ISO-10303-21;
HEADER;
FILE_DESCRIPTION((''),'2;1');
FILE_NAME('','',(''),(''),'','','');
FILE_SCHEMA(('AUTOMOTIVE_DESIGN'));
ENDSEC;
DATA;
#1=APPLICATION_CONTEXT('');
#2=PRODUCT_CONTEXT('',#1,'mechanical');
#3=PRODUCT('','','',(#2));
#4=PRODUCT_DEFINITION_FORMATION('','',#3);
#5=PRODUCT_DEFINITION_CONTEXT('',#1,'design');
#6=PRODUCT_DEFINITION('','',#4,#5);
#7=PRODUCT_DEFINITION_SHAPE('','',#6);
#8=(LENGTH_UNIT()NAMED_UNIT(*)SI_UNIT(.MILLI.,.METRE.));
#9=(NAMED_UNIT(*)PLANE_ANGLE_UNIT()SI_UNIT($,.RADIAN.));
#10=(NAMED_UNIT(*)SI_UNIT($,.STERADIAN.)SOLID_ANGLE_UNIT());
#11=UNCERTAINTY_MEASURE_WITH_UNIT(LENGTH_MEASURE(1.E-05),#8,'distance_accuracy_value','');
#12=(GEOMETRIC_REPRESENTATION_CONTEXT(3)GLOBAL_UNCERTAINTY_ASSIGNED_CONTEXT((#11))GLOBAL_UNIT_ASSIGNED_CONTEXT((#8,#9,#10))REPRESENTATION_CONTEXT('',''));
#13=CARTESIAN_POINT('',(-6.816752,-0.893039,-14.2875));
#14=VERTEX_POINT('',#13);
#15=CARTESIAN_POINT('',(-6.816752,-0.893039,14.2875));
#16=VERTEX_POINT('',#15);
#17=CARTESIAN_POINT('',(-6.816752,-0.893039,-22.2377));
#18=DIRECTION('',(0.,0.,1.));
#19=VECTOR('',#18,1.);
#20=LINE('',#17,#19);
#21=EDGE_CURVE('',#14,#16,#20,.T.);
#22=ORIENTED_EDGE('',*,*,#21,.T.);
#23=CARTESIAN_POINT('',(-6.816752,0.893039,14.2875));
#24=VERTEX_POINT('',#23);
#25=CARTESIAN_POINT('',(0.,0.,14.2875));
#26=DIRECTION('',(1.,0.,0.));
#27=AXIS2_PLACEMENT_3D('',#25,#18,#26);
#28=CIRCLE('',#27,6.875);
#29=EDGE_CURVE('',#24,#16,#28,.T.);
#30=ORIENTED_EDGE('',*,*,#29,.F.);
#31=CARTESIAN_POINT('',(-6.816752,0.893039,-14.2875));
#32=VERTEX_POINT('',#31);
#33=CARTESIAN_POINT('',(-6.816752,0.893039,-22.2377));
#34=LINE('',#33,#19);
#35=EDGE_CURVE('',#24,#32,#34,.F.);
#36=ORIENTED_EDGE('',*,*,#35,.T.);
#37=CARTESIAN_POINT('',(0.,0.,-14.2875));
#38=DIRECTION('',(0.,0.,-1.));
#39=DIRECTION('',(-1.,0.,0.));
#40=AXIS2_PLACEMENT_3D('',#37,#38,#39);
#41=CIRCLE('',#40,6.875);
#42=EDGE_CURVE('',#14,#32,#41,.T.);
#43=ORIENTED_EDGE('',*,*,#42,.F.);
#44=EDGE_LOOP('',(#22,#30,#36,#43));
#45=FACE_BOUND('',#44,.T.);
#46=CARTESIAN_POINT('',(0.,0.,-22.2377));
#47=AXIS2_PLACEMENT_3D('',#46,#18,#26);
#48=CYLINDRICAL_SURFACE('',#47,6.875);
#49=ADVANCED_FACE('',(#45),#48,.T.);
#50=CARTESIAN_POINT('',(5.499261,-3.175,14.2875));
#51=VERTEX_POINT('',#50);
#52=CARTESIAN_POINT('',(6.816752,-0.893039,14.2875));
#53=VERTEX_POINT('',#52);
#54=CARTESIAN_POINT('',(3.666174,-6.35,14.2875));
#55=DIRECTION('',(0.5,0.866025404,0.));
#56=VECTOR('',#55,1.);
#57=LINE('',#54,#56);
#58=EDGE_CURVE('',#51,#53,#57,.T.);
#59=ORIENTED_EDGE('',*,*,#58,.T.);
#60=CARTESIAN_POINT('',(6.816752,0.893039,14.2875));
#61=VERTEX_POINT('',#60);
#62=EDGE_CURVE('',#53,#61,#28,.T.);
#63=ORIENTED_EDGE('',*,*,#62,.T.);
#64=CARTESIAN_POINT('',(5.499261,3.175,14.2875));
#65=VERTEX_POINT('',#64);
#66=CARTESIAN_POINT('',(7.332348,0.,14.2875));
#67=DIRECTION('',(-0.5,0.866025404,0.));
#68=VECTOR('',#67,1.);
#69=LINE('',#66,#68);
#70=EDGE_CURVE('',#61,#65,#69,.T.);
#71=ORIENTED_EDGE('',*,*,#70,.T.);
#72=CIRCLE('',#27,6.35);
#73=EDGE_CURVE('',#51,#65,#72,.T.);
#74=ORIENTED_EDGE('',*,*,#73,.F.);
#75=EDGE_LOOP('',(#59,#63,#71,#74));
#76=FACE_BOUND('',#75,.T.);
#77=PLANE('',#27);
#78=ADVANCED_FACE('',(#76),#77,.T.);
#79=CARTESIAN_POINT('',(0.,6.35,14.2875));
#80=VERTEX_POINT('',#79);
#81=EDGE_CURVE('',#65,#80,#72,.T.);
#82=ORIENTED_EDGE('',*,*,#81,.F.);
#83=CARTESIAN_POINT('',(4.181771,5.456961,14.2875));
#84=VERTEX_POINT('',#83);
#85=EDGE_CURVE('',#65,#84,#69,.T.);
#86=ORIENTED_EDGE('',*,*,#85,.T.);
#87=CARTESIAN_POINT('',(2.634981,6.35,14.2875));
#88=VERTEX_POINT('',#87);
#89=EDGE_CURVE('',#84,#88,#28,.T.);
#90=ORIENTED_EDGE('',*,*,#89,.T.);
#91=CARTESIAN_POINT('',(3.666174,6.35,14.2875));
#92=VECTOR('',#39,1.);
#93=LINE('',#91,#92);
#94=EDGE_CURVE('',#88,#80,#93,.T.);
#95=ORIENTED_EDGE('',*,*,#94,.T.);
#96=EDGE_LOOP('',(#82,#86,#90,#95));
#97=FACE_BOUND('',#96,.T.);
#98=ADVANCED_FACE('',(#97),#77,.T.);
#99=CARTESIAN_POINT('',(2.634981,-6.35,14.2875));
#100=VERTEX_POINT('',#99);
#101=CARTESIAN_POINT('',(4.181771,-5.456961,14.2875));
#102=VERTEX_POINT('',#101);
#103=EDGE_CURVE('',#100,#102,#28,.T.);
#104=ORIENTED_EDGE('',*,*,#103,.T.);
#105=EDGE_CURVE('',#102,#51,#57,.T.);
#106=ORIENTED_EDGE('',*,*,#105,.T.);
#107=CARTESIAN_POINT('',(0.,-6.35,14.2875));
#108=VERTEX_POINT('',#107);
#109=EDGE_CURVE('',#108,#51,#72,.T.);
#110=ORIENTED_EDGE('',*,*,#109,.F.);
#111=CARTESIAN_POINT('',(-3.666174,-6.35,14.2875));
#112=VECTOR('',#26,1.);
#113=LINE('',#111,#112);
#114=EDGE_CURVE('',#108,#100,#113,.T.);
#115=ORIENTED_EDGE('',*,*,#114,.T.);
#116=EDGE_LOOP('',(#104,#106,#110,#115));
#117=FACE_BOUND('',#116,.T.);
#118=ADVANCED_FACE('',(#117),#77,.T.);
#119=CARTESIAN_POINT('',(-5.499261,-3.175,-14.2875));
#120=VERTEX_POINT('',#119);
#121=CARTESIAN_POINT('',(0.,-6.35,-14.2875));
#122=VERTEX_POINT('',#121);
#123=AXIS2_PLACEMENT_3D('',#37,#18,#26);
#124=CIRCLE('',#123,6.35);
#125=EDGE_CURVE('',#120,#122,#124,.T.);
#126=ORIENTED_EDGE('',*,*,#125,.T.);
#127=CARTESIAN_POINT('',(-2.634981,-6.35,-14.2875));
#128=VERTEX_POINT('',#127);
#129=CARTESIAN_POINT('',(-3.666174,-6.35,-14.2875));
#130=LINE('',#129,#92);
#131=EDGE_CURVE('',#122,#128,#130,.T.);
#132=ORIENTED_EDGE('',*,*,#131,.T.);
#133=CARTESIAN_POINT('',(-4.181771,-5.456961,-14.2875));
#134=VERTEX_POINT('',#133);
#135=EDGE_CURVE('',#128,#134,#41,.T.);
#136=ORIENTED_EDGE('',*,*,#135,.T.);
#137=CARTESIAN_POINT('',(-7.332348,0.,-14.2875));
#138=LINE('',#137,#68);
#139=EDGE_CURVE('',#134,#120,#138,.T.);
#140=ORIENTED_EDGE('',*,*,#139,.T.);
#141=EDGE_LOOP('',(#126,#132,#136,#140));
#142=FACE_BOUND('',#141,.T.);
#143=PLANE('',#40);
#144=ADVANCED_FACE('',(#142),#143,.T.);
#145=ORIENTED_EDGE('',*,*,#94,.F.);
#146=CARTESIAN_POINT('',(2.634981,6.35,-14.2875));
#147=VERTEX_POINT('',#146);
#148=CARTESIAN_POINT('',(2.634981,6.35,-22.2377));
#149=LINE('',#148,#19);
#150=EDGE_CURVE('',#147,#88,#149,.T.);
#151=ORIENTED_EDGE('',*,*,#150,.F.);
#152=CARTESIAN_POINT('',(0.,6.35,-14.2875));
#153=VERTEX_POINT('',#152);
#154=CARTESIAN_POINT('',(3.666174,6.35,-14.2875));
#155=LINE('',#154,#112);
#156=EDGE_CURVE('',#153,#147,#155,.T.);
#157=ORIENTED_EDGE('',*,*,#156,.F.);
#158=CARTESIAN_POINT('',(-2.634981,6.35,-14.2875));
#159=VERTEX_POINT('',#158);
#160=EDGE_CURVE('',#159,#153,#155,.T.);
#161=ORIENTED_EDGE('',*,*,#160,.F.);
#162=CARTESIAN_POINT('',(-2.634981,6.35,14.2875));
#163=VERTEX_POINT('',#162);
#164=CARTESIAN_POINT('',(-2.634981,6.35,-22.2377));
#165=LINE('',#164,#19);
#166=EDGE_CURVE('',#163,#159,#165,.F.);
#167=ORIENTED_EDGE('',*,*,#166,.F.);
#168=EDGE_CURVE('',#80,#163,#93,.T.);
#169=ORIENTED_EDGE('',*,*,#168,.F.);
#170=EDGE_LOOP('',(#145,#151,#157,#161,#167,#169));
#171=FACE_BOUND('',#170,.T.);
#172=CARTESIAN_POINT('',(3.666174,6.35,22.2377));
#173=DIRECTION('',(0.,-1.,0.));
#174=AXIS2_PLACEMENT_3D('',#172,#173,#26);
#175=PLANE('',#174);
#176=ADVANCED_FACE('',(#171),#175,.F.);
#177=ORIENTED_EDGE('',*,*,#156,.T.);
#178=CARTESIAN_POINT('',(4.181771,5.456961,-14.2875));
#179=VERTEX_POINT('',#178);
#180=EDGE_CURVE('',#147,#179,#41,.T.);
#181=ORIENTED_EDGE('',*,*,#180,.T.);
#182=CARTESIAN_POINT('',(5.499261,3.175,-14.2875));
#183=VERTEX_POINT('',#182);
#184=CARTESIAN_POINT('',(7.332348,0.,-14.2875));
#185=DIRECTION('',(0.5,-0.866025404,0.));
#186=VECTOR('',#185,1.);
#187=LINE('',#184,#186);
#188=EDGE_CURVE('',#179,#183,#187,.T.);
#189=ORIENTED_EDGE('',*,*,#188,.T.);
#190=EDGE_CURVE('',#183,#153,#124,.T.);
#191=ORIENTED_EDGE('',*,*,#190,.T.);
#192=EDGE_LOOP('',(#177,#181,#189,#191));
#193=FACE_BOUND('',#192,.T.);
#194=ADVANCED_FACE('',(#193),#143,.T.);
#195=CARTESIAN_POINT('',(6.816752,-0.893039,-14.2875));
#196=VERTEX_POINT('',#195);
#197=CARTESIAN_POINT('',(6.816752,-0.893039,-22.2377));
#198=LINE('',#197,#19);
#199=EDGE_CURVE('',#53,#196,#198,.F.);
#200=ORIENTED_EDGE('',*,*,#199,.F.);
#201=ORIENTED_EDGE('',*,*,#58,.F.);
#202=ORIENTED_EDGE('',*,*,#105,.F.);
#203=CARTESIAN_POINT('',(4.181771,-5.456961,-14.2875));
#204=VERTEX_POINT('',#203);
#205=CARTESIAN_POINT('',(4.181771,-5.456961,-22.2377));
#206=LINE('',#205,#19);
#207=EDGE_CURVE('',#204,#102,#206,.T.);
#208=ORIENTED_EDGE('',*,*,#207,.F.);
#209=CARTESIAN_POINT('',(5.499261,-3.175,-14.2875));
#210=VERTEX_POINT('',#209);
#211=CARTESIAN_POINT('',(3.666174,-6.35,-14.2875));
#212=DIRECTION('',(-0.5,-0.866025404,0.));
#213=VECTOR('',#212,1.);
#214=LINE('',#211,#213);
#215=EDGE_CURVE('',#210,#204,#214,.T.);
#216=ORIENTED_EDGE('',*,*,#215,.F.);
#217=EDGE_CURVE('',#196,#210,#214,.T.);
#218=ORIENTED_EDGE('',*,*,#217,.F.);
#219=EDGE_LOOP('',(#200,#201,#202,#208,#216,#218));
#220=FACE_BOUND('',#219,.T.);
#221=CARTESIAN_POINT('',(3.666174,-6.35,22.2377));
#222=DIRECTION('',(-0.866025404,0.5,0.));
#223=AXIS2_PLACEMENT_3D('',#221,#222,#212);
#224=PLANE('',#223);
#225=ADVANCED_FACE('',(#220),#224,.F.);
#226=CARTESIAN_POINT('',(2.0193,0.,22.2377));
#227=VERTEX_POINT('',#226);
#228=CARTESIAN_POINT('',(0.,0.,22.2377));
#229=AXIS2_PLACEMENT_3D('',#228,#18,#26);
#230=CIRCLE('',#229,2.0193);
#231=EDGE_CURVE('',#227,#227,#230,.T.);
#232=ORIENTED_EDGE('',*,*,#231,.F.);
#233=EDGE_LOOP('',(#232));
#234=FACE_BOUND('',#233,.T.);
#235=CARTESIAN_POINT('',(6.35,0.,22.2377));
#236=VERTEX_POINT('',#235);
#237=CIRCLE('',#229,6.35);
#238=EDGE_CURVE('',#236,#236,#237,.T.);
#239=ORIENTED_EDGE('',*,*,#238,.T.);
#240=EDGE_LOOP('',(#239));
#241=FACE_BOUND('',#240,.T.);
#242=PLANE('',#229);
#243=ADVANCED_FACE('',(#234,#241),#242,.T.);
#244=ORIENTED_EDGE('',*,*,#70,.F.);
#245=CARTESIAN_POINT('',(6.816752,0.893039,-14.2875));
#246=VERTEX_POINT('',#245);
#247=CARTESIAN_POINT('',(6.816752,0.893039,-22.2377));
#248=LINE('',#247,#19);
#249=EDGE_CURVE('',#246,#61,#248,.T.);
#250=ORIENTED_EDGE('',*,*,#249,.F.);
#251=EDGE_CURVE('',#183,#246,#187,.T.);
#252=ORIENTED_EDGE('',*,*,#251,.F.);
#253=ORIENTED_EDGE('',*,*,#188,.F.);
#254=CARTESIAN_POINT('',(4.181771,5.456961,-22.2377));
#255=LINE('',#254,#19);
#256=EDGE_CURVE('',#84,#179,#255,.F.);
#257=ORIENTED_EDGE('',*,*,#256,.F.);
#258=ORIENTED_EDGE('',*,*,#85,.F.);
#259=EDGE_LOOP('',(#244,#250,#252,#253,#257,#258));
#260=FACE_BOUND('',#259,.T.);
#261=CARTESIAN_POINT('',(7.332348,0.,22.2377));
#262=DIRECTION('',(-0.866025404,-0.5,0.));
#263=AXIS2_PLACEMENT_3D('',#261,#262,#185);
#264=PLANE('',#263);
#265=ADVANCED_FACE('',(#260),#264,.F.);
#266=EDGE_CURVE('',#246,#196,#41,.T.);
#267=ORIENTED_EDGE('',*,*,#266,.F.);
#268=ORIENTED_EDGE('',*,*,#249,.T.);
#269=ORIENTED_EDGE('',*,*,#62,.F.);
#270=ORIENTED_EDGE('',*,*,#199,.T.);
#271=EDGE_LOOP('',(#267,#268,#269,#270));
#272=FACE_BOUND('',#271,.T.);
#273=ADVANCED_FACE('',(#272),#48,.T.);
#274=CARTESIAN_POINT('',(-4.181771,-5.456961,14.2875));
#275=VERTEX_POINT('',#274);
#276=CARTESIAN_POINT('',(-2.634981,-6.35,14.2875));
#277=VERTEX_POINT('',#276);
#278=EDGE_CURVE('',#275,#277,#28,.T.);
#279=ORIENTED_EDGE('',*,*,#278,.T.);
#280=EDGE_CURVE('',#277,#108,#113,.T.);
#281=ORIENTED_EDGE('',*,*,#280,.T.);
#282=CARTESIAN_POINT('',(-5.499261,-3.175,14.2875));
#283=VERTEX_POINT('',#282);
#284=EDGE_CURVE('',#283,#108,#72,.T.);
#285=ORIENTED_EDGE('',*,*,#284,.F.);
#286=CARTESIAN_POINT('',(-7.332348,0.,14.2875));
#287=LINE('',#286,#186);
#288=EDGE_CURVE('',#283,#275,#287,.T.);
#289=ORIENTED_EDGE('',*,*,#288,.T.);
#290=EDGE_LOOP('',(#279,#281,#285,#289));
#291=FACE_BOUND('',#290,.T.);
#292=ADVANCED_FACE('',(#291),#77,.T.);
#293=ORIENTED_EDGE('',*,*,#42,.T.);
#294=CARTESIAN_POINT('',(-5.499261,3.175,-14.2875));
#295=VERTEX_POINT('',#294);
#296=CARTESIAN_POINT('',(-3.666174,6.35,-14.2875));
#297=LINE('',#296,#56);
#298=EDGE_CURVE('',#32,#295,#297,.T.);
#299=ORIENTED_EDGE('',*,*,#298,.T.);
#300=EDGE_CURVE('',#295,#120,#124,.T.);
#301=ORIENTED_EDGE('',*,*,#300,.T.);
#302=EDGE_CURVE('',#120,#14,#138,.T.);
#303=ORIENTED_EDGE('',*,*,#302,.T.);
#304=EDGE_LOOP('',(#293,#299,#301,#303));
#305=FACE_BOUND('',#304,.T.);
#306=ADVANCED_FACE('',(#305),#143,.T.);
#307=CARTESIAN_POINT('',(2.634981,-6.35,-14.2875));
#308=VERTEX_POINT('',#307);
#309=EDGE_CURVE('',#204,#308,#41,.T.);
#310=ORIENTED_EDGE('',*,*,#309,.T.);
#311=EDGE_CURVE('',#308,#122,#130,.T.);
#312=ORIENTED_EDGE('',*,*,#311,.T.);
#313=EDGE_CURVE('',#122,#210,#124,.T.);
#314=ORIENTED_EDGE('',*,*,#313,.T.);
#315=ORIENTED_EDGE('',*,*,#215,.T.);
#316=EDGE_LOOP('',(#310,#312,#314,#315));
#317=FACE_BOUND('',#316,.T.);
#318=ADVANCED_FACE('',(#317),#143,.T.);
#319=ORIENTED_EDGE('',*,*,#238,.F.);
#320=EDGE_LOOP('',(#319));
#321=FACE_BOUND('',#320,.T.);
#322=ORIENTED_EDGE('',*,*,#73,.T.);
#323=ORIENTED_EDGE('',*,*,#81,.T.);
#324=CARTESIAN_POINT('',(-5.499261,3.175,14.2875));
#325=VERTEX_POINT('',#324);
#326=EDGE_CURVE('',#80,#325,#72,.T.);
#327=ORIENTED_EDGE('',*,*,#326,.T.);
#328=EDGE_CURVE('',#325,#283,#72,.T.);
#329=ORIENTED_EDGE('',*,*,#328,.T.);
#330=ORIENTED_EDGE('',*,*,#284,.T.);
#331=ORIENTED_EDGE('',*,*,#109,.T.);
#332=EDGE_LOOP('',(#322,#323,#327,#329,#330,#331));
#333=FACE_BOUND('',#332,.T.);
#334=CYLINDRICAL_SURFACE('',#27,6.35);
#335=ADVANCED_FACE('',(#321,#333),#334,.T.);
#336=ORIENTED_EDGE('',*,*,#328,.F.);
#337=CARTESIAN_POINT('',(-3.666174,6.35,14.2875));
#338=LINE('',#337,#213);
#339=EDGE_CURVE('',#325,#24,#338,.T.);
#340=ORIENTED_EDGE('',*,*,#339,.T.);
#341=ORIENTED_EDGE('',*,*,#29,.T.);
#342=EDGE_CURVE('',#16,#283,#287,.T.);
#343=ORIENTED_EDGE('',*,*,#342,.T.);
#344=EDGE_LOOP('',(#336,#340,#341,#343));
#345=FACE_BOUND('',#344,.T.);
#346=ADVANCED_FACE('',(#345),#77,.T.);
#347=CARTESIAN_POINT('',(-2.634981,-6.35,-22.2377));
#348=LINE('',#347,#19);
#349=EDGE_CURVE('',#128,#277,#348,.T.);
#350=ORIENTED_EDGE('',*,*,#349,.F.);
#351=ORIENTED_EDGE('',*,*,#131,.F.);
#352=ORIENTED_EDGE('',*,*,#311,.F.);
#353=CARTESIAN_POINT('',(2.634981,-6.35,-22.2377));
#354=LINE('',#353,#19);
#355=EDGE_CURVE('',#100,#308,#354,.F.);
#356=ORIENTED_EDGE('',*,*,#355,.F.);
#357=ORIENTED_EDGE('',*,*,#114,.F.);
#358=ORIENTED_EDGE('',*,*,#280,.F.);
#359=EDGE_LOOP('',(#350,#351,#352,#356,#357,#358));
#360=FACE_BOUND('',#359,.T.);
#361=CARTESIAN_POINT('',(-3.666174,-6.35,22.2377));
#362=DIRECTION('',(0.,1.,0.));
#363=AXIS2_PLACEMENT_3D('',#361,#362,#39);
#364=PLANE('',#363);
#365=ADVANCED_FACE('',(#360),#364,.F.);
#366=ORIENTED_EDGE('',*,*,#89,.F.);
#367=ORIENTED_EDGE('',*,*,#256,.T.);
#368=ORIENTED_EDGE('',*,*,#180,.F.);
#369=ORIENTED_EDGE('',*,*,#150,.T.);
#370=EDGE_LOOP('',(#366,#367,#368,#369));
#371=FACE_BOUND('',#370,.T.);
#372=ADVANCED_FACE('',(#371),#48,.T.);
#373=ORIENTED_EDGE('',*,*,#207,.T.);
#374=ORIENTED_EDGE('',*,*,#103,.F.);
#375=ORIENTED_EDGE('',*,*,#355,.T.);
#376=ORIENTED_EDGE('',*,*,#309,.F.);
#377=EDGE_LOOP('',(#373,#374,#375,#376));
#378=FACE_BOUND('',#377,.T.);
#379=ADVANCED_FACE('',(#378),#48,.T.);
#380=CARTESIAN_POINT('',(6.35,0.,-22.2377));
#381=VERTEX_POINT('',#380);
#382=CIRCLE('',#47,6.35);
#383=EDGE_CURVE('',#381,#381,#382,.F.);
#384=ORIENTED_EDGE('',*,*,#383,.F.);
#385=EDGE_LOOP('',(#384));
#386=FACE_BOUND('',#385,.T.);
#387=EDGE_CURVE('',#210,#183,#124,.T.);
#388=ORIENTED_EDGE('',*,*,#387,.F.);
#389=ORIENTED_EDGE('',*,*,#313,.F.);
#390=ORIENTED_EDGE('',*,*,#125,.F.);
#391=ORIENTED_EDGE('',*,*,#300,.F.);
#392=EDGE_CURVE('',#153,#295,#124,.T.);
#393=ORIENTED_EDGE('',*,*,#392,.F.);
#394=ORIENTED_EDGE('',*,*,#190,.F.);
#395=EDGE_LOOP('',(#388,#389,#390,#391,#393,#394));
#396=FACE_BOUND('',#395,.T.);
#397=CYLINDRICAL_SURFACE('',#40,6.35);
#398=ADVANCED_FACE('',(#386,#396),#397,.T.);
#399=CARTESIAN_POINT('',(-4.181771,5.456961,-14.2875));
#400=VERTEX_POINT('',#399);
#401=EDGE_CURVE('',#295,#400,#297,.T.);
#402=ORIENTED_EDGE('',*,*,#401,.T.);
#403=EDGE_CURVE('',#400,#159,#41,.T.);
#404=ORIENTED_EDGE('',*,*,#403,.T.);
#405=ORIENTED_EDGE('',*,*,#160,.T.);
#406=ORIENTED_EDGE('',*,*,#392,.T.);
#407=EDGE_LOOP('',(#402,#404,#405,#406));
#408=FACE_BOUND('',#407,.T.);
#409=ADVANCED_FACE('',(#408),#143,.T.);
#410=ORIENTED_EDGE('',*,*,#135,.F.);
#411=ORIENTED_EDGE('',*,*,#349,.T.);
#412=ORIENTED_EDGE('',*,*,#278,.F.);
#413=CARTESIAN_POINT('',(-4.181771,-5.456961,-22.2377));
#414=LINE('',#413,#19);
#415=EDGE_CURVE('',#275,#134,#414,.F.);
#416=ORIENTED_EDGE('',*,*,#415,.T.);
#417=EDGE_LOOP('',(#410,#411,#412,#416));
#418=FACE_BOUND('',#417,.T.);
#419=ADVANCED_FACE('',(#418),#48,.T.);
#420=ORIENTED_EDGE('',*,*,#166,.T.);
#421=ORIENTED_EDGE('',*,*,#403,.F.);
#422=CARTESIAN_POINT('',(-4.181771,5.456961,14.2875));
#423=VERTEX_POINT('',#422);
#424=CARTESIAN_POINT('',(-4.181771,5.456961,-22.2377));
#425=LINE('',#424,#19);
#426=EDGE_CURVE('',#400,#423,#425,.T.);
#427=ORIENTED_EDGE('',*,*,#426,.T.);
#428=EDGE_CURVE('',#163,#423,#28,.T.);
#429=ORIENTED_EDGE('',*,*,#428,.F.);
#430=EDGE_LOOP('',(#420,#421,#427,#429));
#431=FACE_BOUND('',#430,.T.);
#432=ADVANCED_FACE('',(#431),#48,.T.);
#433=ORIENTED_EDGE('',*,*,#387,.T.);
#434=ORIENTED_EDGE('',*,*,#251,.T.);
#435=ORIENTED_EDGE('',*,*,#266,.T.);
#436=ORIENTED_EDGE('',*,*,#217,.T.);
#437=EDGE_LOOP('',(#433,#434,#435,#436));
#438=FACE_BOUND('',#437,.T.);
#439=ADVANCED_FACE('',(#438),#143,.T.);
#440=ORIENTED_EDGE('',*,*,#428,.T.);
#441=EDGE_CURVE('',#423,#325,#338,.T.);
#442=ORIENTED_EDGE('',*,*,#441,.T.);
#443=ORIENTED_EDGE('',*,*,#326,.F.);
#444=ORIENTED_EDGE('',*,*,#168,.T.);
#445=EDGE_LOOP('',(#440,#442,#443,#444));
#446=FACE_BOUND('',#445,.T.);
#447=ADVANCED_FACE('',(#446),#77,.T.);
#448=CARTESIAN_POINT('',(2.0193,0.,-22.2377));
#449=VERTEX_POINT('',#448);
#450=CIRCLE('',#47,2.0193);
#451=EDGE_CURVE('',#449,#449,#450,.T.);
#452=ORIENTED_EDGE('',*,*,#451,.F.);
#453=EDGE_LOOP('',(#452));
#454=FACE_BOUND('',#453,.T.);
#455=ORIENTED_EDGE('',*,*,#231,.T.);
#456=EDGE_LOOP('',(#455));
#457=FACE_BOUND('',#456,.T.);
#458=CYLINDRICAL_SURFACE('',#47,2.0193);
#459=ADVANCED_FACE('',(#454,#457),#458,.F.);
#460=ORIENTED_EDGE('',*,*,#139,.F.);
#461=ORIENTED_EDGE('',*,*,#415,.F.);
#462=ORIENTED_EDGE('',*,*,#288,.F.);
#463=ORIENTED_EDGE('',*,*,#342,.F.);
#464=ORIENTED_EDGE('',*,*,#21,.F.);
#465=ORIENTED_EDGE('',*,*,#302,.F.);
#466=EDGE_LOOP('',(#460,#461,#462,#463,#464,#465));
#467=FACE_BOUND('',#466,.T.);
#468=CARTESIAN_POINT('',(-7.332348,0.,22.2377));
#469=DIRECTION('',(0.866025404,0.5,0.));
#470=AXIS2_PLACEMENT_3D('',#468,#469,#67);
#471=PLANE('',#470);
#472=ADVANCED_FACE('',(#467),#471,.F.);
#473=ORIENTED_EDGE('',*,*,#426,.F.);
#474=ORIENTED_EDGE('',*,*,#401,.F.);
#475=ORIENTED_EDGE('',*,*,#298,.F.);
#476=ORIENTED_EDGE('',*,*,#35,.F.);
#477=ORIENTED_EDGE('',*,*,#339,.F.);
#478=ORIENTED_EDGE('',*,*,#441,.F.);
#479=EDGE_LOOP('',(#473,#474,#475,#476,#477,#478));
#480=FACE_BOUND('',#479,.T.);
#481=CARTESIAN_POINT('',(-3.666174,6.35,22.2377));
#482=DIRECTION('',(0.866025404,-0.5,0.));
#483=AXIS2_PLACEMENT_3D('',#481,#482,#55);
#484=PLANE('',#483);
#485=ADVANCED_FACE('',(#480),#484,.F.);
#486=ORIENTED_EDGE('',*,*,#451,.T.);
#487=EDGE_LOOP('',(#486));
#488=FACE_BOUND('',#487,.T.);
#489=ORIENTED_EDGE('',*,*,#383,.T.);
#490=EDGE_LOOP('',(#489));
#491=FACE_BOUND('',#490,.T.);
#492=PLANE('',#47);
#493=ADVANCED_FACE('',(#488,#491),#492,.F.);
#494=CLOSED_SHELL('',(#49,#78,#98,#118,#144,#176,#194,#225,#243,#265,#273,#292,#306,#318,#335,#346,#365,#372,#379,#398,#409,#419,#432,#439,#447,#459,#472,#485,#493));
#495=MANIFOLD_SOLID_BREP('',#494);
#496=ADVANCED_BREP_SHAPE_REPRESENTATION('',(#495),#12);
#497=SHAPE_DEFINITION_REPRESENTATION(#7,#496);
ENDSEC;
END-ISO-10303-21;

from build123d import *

# Parameters (mm, degrees)
BOSS_EXTRUDE1_DEPTH = 22.2377
SKETCH2_OUTSIDE_W   = 26.368
SKETCH2_OUTSIDE_H   = 24.404
SKETCH2_OUTSIDE_R   = 6.35
CUT_EXTRUDE2_DEPTH  = 7.9502
SKETCH3_OUTSIDE_W   = 26.368
SKETCH3_OUTSIDE_H   = 24.404
SKETCH3_OUTSIDE_R   = 6.875
CUT_EXTRUDE4_DEPTH  = 46.520841803
SKETCH4_R           = 2.0193
CUT_EXTRUDE5_DEPTH  = 46.44941507


with BuildPart() as part:
    # Sketch1 → Boss-Extrude1 (new, symmetric)
    with BuildSketch(Plane.XY):
        Polygon((7.332348419, 0), (3.666174209, 6.35), (-3.666174209, 6.35), (-7.332348419, 0), (-3.666174209, -6.35), (3.666174209, -6.35), align=None)
    extrude(amount=BOSS_EXTRUDE1_DEPTH, both=True)

    # Sketch2 outside → Cut-Extrude2 (cut)
    with BuildSketch(Plane.XY.offset(22.2377)):
        Rectangle(SKETCH2_OUTSIDE_W, SKETCH2_OUTSIDE_H)
        Circle(SKETCH2_OUTSIDE_R, mode=Mode.SUBTRACT)
    cut_extrude2 = extrude(amount=-CUT_EXTRUDE2_DEPTH, mode=Mode.SUBTRACT)

    # Mirror1: Cut-Extrude2 across plane
    add(cut_extrude2.mirror(Plane.XY), mode=Mode.SUBTRACT)

    # Sketch3 outside → Cut-Extrude4 (cut, through all)
    with BuildSketch(Plane.XY.offset(22.2377)):
        Rectangle(SKETCH3_OUTSIDE_W, SKETCH3_OUTSIDE_H)
        Circle(SKETCH3_OUTSIDE_R, mode=Mode.SUBTRACT)
    extrude(amount=-CUT_EXTRUDE4_DEPTH, mode=Mode.SUBTRACT)

    # Sketch4 → Cut-Extrude5 (cut, through all)
    with BuildSketch(Plane.XY.offset(22.2377)):
        Circle(SKETCH4_R)
    extrude(amount=-CUT_EXTRUDE5_DEPTH, mode=Mode.SUBTRACT)


solid = part.part
